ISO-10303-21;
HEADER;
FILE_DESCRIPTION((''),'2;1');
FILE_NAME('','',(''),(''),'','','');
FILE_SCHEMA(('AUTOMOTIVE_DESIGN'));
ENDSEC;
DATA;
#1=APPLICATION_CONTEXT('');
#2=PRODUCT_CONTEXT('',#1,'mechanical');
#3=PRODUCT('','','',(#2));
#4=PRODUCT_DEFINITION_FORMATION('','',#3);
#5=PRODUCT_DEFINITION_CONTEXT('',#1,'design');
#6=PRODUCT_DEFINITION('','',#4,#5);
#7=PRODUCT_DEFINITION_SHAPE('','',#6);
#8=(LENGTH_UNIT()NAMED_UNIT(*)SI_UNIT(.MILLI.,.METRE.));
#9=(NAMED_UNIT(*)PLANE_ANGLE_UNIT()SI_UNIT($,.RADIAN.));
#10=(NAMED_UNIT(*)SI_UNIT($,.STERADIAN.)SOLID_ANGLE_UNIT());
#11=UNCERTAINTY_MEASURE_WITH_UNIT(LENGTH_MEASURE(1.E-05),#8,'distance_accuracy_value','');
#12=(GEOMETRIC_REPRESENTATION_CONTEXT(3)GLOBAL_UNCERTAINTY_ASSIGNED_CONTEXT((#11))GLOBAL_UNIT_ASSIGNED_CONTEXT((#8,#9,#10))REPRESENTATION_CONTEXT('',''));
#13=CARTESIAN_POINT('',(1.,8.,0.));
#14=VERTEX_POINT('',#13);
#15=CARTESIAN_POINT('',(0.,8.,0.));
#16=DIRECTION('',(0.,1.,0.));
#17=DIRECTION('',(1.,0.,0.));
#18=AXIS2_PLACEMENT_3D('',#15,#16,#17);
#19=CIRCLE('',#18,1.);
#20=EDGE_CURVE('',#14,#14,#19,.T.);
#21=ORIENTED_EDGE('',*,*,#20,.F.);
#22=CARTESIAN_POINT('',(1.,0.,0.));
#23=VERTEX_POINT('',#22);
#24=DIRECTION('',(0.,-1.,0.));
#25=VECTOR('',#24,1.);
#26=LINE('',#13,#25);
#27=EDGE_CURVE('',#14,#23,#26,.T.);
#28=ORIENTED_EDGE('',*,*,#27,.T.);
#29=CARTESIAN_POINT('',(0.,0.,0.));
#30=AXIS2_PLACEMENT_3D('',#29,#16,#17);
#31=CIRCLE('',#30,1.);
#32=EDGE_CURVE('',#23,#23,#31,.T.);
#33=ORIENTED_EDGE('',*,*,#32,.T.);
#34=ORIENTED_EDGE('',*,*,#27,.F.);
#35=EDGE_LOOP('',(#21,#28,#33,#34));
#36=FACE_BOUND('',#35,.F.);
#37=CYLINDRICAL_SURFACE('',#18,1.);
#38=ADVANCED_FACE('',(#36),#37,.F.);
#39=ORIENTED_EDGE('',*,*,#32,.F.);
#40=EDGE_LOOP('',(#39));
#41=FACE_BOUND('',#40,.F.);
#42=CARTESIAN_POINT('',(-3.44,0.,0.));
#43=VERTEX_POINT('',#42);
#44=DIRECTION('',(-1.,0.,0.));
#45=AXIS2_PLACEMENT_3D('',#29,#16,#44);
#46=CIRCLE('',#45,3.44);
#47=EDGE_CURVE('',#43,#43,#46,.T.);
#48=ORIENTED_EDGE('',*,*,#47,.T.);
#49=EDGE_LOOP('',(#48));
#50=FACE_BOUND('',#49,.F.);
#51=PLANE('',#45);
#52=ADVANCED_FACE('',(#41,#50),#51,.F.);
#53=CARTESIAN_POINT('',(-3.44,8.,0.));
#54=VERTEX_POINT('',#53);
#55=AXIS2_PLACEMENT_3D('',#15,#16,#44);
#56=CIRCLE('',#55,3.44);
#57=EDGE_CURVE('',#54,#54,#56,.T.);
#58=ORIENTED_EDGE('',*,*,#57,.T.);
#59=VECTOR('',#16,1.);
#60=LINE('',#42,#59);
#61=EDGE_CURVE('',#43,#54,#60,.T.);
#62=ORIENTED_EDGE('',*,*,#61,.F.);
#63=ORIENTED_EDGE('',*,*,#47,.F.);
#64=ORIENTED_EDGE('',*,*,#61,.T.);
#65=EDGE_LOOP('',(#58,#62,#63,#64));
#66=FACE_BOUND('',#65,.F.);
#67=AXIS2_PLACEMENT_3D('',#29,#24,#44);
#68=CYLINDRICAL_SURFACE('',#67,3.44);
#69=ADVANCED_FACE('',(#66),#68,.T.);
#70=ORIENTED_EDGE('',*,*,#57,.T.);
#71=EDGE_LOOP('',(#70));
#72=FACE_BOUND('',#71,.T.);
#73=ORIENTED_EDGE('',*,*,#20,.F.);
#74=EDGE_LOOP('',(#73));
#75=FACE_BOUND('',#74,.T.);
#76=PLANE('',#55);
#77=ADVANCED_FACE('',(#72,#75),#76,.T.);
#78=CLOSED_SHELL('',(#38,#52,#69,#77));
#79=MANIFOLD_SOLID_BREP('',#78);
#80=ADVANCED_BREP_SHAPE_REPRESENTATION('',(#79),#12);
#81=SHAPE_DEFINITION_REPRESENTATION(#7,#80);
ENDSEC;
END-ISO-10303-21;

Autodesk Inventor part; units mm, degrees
ref_plane "YZ Plane" through (0, 0, 0) normal (1, 0, 0) x (0, 1, 0)
ref_plane "XZ Plane" through (0, 0, 0) normal (0, 1, 0) x (-1, 0, 0)
ref_plane "XY Plane" through (0, 0, 0) normal (0, 0, 1) x (1, 0, 0)
sketch "Sketch1" plane through (0, 0, 0) normal (0, 1, 0) x (-1, 0, 0)
  circle A0 centre (0, 0) radius 3.44
  dimension "d0" = 6.88
extrude "Extrusion1" add sketch "Sketch1" along normal blind 8
sketch "Sketch2" plane through (0, 8, 0) normal (0, 1, 0) x (1, 0, 0)
  circle A0 centre (0, 0) radius 1
  dimension "d3" = 2
extrude "Extrusion2" cut sketch "Sketch2" against normal blind 8
properties part number "Bumper"
